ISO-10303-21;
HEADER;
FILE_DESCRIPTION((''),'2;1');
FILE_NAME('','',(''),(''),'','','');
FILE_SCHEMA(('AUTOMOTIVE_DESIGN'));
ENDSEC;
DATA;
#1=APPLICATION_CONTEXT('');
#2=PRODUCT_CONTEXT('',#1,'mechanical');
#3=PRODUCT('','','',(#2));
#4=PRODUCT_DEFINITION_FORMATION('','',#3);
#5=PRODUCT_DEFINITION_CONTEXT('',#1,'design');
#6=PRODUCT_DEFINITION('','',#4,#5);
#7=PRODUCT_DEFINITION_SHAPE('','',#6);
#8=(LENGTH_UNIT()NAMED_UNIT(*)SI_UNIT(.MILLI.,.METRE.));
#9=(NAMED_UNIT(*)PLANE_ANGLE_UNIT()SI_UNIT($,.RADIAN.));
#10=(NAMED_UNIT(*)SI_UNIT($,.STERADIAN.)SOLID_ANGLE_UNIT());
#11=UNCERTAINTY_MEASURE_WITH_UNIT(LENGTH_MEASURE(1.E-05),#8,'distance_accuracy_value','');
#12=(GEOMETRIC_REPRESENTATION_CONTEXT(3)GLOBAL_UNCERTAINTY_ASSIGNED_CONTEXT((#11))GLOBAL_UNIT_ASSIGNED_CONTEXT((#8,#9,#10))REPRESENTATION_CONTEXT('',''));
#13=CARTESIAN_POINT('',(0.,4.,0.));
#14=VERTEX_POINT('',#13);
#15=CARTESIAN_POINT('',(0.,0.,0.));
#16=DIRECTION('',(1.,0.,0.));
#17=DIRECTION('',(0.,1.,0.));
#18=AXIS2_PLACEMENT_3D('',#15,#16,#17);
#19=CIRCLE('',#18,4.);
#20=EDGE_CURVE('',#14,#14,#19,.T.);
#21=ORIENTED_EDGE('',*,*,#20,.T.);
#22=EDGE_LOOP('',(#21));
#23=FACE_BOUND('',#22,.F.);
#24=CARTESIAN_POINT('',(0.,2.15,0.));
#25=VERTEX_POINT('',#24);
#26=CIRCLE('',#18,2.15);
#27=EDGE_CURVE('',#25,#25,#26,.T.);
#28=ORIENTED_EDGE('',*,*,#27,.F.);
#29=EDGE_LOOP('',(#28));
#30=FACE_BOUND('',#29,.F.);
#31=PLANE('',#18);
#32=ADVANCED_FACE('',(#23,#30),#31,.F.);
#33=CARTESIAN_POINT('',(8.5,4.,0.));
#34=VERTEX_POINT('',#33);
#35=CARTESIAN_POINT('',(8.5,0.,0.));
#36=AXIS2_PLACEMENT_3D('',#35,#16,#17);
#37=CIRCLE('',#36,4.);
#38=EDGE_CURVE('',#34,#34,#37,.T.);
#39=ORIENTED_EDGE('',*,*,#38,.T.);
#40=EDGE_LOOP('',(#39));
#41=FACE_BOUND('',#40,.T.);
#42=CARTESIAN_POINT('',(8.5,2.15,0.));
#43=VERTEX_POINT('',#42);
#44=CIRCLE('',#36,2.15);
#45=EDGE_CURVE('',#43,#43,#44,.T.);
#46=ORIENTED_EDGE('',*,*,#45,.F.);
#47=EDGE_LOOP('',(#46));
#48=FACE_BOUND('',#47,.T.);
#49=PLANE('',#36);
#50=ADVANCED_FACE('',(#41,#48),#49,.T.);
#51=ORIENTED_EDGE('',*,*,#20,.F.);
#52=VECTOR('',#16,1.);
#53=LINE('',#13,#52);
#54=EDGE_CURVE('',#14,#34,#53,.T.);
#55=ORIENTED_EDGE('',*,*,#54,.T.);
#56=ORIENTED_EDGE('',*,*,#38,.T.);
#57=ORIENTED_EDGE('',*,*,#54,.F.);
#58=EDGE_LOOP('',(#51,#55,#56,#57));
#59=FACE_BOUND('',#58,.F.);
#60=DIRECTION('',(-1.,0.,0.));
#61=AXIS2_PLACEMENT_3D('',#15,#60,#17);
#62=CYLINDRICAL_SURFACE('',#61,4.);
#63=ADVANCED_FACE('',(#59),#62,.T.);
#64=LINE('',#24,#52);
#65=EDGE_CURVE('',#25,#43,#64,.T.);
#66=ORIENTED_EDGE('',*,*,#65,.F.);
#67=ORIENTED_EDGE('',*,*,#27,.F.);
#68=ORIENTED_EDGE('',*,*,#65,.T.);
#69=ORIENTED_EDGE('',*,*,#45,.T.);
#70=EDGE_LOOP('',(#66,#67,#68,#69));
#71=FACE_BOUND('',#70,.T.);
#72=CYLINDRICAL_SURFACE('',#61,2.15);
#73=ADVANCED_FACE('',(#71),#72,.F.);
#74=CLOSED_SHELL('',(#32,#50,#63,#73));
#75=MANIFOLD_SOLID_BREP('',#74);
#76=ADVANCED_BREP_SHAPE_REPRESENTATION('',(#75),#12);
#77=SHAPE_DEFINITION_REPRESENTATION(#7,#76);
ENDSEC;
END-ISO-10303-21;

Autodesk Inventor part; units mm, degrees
ref_plane "YZ Plane" through (0, 0, 0) normal (1, 0, 0) x (0, 1, 0)
ref_plane "XZ Plane" through (0, 0, 0) normal (0, 1, 0) x (-1, 0, 0)
ref_plane "XY Plane" through (0, 0, 0) normal (0, 0, 1) x (1, 0, 0)
sketch "スケッチ1" plane through (0, 0, 0) normal (1, 0, 0) x (0, 1, 0)
  circle A0 centre (0, 0) radius 2.15
  circle A1 centre (0, 0) radius 4
  dimension "d0" = 4.3
  dimension "d1" = 8
extrude "押し出し1" add sketch "スケッチ1" along normal blind 8.5
properties part number "install-encoder-v1-3DP-Spacer-down" material "ABS プラスチック"
